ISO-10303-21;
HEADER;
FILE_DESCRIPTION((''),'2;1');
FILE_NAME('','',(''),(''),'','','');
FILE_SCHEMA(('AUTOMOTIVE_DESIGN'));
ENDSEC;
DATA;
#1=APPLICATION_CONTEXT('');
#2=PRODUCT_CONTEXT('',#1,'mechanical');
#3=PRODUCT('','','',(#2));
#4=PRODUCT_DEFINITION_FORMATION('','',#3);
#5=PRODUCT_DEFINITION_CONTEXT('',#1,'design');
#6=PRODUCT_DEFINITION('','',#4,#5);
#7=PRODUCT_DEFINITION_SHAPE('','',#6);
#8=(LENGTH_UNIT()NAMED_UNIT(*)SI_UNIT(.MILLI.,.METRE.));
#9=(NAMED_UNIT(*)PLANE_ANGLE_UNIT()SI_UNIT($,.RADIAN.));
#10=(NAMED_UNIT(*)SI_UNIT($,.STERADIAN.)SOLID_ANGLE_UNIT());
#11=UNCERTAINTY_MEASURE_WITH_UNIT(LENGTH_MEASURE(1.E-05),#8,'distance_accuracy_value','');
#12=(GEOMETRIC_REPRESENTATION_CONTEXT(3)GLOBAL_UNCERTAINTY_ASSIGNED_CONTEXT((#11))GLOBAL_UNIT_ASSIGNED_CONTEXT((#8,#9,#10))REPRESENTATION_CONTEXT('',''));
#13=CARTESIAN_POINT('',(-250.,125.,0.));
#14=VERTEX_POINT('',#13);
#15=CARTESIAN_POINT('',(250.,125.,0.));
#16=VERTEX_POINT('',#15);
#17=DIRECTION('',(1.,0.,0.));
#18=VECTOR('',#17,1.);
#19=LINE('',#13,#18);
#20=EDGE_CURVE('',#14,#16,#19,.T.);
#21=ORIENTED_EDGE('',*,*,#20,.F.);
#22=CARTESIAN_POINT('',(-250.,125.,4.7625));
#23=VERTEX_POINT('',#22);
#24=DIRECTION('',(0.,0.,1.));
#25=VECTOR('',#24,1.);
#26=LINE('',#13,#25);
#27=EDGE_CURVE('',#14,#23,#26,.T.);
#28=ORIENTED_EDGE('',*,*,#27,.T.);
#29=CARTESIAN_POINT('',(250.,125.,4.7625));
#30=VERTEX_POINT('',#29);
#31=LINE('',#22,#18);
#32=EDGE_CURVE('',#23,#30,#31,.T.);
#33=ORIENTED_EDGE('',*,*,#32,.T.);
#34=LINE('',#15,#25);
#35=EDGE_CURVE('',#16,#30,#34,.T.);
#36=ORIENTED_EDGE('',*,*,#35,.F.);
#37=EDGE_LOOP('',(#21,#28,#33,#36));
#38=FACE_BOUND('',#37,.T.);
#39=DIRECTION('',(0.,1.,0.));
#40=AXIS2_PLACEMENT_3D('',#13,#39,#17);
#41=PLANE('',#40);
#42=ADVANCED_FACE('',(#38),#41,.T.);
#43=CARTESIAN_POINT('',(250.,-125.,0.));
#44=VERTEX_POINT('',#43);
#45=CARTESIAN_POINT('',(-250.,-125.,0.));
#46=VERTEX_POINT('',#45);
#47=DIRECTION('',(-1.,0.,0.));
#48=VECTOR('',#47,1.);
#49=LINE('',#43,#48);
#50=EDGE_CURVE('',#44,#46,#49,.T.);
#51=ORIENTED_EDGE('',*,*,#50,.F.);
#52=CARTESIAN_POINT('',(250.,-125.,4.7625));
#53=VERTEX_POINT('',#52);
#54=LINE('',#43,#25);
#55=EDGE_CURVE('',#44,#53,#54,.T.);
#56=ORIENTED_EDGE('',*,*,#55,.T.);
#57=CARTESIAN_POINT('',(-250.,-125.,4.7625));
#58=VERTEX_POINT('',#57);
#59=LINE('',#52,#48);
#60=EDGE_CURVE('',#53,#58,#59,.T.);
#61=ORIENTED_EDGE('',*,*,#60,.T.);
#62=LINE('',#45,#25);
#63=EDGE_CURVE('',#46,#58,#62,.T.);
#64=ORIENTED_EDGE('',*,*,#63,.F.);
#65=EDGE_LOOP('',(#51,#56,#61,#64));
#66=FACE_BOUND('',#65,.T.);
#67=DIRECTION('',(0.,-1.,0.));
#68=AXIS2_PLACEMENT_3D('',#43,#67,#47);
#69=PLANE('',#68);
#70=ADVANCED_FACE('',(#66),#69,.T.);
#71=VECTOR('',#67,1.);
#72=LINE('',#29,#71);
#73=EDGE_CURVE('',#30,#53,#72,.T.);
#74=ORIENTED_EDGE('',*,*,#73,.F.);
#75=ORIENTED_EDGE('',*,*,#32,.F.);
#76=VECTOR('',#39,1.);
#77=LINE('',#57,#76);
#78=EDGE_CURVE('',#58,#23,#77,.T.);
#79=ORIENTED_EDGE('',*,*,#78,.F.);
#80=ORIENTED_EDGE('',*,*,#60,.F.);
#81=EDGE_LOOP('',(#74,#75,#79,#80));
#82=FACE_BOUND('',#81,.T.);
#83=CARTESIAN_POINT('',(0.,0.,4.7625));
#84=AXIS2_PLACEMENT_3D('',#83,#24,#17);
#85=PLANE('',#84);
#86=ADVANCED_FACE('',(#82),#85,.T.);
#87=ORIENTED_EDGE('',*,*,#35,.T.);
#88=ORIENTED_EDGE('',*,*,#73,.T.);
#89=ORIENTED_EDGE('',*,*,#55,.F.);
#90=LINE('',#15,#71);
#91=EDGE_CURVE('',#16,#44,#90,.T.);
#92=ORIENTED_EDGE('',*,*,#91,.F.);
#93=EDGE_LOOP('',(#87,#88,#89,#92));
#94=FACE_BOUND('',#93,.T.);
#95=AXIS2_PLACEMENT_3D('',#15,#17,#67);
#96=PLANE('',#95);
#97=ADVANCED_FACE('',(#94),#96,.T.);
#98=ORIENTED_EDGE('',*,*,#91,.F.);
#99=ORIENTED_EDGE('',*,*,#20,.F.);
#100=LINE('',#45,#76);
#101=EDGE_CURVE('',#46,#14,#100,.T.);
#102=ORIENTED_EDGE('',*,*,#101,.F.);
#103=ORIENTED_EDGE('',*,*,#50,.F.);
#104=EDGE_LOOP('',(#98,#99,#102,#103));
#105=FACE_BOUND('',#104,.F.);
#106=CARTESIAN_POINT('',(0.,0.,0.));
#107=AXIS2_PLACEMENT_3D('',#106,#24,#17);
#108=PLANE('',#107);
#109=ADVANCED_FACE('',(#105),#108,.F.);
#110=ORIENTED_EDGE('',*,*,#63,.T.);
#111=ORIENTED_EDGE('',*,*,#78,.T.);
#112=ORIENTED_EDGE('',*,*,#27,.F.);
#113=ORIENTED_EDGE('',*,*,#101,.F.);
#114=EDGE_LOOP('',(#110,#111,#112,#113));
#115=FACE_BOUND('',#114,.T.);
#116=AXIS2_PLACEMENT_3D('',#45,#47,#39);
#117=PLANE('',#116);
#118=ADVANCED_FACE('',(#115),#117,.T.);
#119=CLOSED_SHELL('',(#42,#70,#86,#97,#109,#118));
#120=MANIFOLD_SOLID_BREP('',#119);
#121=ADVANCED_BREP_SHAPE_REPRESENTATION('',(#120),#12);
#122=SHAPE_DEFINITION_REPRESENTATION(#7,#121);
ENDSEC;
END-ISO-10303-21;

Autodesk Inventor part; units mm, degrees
ref_plane "YZ Plane" through (0, 0, 0) normal (1, 0, 0) x (0, 1, 0)
ref_plane "XZ Plane" through (0, 0, 0) normal (0, 1, 0) x (-1, 0, 0)
ref_plane "XY Plane" through (0, 0, 0) normal (0, 0, 1) x (1, 0, 0)
sketch "Sketch1" plane through (0, 0, 0) normal (0, 0, 1) x (1, 0, 0)
  line L0 (250, -125) -> (-250, -125)
  line L1 (-250, -125) -> (-250, 125)
  line L2 (-250, 125) -> (250, 125)
  line L3 (250, 125) -> (250, -125)
  line L4 (250, -125) -> (-250, 125) construction
  line L5 (-250, -125) -> (250, 125) construction
  point P0 (0, 0)
  dimension "d0" = 500
  dimension "d1" = 250
extrude "Extrusion1" add sketch "Sketch1" along normal blind 4.7625
properties part number "Patch Panel" material "ABS Plastic"
